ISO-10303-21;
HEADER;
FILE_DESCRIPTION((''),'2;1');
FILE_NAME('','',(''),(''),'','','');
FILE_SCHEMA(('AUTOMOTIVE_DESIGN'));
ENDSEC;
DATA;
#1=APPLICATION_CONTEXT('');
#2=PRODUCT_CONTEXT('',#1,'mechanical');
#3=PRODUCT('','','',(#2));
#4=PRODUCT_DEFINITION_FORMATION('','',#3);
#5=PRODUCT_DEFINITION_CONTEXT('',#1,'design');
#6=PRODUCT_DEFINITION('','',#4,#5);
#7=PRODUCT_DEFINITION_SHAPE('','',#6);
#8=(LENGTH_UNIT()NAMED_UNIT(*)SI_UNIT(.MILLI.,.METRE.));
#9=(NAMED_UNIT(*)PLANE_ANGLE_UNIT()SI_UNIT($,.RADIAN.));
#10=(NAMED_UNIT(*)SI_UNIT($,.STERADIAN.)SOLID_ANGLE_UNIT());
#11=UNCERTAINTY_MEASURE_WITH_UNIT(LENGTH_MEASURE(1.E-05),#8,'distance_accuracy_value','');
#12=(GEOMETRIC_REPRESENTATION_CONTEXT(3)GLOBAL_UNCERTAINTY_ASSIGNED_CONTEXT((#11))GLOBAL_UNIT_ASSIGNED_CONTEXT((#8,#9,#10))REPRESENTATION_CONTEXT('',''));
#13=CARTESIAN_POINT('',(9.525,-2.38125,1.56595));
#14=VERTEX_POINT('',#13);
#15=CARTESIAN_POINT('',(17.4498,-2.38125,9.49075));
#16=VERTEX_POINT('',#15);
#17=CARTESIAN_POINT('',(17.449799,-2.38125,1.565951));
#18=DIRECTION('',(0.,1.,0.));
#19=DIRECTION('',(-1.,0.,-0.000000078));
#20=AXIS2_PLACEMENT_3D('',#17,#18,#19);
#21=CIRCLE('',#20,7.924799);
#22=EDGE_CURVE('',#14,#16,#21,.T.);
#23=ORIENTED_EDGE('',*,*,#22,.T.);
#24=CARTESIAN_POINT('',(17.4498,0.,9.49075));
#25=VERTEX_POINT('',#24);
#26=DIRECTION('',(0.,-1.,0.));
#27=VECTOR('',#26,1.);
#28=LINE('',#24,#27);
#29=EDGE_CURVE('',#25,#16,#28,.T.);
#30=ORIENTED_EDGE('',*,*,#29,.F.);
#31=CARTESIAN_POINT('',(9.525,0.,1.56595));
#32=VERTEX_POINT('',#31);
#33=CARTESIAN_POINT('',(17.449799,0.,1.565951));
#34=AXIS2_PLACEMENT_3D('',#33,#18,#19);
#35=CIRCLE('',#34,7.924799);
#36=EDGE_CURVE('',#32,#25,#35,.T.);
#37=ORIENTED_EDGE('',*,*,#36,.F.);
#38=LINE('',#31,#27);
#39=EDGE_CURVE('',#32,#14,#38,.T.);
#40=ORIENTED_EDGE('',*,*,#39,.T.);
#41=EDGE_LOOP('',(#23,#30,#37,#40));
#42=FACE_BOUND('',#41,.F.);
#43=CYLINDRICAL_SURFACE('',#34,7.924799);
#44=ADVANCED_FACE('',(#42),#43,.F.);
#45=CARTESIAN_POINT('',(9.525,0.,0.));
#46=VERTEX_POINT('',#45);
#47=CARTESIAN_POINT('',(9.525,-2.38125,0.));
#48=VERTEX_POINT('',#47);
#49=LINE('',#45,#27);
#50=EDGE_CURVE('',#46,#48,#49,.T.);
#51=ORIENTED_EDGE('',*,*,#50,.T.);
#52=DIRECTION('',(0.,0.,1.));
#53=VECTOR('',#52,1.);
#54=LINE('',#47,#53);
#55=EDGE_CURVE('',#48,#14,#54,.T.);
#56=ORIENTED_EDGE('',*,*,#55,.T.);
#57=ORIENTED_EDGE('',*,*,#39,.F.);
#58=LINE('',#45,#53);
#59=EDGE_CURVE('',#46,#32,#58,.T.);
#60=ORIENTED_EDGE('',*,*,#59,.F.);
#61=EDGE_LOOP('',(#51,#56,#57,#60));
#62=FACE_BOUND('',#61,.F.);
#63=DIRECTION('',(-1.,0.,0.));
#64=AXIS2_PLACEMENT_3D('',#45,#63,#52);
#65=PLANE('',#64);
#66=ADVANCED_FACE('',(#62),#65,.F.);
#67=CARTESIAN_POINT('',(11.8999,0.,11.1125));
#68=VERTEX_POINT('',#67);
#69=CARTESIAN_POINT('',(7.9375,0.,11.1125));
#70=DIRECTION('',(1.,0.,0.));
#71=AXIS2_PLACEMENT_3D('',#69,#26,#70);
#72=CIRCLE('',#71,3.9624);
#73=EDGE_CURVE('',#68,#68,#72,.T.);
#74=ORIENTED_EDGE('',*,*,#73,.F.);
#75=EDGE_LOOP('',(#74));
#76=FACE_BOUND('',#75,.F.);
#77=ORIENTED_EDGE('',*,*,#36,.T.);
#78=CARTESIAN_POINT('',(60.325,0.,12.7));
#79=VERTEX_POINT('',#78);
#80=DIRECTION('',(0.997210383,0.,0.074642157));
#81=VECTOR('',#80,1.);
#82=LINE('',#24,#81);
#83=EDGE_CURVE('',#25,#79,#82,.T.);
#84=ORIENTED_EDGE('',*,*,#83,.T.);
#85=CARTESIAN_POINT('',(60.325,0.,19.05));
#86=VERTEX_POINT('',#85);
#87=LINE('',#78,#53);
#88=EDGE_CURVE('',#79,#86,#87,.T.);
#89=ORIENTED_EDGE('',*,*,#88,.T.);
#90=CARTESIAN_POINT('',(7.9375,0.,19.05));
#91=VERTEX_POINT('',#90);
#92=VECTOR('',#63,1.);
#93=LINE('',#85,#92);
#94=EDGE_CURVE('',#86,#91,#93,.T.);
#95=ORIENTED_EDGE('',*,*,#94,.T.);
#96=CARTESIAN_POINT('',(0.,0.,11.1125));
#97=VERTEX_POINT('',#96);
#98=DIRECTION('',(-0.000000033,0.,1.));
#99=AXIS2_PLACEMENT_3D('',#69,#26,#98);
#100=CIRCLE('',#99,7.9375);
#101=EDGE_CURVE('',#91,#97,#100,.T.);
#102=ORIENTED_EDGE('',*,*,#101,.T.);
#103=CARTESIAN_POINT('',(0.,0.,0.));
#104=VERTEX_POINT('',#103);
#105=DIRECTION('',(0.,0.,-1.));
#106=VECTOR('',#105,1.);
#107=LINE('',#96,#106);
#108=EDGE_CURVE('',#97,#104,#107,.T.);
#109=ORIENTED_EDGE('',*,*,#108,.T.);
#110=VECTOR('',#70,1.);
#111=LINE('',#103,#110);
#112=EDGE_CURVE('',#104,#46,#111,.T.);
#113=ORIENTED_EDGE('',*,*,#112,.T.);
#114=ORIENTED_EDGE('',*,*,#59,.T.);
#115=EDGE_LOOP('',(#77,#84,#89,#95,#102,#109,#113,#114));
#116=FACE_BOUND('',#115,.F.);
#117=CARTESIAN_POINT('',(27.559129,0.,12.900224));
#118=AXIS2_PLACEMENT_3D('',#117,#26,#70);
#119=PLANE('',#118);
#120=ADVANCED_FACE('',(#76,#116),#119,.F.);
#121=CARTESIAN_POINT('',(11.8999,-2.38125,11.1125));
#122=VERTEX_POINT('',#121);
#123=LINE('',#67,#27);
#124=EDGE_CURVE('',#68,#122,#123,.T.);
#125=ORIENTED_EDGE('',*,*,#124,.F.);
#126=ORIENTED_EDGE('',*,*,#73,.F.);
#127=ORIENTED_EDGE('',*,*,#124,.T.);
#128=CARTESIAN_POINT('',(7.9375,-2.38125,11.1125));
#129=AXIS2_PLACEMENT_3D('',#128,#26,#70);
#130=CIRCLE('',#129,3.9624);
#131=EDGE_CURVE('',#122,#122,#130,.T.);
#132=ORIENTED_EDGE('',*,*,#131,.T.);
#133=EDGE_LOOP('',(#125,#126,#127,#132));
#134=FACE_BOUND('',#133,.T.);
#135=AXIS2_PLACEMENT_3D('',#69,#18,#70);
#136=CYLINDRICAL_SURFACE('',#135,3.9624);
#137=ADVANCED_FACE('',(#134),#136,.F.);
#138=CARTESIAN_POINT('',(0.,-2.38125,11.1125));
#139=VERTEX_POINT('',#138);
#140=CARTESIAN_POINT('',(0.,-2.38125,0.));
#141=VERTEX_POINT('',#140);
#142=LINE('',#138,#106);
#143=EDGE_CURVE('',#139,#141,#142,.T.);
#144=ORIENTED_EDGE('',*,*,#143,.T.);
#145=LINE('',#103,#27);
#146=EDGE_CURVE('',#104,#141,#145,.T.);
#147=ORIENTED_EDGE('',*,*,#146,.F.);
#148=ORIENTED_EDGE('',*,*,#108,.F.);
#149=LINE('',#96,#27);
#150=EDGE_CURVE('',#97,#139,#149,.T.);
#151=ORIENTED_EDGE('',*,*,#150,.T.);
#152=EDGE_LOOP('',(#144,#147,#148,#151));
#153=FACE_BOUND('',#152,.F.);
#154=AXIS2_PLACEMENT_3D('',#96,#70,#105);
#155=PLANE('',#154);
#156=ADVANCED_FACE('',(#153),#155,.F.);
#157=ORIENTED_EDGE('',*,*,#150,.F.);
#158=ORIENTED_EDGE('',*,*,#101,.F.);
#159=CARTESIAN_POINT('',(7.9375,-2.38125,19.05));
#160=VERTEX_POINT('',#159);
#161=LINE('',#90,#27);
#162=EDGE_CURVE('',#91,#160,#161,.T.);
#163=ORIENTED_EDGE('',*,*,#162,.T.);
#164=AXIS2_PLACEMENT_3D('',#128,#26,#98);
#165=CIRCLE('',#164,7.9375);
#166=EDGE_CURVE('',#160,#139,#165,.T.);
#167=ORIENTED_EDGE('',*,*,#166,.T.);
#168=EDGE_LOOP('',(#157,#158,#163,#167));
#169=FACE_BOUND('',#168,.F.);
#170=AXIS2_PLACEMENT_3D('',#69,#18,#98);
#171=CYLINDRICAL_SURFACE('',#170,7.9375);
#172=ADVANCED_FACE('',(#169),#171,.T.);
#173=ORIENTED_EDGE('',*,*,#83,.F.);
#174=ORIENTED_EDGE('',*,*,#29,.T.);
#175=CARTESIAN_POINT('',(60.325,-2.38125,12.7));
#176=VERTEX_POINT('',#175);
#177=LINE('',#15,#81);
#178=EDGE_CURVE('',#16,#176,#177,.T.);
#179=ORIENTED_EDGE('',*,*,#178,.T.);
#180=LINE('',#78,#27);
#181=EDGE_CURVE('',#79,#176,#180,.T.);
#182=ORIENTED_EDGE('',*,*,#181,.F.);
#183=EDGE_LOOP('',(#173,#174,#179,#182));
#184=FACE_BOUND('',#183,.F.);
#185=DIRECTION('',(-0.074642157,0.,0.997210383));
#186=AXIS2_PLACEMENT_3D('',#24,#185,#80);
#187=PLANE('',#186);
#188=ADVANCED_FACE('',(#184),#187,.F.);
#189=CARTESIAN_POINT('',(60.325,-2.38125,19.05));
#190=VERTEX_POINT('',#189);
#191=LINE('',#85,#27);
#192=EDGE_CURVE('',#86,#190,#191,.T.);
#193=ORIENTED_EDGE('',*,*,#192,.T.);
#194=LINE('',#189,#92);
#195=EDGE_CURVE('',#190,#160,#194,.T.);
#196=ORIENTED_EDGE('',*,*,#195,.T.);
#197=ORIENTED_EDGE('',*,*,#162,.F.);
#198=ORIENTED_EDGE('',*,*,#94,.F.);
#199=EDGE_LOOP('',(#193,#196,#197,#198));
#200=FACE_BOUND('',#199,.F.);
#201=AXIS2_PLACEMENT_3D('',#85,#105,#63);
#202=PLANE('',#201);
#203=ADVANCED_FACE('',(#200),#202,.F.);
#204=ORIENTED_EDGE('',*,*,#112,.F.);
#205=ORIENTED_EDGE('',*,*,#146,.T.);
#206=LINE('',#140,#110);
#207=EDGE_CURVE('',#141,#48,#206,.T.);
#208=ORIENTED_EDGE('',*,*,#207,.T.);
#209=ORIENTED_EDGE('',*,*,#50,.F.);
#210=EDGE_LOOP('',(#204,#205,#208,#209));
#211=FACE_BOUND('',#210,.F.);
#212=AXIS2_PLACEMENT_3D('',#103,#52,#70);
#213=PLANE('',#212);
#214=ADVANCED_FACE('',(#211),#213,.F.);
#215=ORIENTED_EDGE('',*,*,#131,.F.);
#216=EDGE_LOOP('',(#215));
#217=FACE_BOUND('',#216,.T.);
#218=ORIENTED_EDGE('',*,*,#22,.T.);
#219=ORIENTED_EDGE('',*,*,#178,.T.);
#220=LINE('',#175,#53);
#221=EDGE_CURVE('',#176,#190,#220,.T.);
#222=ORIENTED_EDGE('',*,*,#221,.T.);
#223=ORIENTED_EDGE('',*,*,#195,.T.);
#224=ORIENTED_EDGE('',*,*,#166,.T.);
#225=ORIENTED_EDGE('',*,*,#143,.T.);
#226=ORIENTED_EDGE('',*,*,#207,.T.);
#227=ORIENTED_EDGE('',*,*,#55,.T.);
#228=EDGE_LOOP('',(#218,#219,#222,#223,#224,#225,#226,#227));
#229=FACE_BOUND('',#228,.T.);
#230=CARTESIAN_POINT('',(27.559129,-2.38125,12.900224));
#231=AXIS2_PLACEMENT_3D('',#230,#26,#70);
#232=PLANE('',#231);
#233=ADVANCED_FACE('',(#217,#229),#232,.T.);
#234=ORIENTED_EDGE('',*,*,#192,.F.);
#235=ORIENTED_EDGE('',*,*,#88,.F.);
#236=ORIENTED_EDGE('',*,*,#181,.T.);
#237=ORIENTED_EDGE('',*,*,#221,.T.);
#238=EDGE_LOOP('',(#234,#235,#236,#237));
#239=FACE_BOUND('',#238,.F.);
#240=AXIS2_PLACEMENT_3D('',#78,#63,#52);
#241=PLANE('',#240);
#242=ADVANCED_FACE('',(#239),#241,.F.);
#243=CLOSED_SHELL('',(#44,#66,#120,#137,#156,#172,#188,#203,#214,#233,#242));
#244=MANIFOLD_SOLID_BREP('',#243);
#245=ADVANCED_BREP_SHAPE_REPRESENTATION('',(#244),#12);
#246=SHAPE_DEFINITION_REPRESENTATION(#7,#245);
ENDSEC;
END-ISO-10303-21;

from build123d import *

# Parameters (mm, degrees)
F0_R     = 3.9624
F1_DEPTH = 2.38125


with BuildPart() as f1:
    # F0 (on Front) → F1 (new body)
    with BuildSketch(Plane.XZ):
        with BuildLine():
            Line((0, 5.55625), (0, 0))
            Line((0, 0), (9.525, 0))
            Line((9.525, 0), (9.525, 1.56595))
            ThreePointArc((9.525, 1.56595), (11.84612, 7.16963), (17.4498, 9.49075))
            Line((17.4498, 9.49075), (60.325, 12.7))
            Line((60.325, 12.7), (60.325, 19.05))
            Line((60.325, 19.05), (7.9375, 19.05))
            ThreePointArc((7.9375, 19.05), (2.32484, 16.72516), (0, 11.1125))
            Line((0, 11.1125), (0, 5.55625))
        make_face()
        with Locations((7.9375, 11.1125)):
            Circle(F0_R, mode=Mode.SUBTRACT)
    extrude(amount=F1_DEPTH)


solid = f1.part
